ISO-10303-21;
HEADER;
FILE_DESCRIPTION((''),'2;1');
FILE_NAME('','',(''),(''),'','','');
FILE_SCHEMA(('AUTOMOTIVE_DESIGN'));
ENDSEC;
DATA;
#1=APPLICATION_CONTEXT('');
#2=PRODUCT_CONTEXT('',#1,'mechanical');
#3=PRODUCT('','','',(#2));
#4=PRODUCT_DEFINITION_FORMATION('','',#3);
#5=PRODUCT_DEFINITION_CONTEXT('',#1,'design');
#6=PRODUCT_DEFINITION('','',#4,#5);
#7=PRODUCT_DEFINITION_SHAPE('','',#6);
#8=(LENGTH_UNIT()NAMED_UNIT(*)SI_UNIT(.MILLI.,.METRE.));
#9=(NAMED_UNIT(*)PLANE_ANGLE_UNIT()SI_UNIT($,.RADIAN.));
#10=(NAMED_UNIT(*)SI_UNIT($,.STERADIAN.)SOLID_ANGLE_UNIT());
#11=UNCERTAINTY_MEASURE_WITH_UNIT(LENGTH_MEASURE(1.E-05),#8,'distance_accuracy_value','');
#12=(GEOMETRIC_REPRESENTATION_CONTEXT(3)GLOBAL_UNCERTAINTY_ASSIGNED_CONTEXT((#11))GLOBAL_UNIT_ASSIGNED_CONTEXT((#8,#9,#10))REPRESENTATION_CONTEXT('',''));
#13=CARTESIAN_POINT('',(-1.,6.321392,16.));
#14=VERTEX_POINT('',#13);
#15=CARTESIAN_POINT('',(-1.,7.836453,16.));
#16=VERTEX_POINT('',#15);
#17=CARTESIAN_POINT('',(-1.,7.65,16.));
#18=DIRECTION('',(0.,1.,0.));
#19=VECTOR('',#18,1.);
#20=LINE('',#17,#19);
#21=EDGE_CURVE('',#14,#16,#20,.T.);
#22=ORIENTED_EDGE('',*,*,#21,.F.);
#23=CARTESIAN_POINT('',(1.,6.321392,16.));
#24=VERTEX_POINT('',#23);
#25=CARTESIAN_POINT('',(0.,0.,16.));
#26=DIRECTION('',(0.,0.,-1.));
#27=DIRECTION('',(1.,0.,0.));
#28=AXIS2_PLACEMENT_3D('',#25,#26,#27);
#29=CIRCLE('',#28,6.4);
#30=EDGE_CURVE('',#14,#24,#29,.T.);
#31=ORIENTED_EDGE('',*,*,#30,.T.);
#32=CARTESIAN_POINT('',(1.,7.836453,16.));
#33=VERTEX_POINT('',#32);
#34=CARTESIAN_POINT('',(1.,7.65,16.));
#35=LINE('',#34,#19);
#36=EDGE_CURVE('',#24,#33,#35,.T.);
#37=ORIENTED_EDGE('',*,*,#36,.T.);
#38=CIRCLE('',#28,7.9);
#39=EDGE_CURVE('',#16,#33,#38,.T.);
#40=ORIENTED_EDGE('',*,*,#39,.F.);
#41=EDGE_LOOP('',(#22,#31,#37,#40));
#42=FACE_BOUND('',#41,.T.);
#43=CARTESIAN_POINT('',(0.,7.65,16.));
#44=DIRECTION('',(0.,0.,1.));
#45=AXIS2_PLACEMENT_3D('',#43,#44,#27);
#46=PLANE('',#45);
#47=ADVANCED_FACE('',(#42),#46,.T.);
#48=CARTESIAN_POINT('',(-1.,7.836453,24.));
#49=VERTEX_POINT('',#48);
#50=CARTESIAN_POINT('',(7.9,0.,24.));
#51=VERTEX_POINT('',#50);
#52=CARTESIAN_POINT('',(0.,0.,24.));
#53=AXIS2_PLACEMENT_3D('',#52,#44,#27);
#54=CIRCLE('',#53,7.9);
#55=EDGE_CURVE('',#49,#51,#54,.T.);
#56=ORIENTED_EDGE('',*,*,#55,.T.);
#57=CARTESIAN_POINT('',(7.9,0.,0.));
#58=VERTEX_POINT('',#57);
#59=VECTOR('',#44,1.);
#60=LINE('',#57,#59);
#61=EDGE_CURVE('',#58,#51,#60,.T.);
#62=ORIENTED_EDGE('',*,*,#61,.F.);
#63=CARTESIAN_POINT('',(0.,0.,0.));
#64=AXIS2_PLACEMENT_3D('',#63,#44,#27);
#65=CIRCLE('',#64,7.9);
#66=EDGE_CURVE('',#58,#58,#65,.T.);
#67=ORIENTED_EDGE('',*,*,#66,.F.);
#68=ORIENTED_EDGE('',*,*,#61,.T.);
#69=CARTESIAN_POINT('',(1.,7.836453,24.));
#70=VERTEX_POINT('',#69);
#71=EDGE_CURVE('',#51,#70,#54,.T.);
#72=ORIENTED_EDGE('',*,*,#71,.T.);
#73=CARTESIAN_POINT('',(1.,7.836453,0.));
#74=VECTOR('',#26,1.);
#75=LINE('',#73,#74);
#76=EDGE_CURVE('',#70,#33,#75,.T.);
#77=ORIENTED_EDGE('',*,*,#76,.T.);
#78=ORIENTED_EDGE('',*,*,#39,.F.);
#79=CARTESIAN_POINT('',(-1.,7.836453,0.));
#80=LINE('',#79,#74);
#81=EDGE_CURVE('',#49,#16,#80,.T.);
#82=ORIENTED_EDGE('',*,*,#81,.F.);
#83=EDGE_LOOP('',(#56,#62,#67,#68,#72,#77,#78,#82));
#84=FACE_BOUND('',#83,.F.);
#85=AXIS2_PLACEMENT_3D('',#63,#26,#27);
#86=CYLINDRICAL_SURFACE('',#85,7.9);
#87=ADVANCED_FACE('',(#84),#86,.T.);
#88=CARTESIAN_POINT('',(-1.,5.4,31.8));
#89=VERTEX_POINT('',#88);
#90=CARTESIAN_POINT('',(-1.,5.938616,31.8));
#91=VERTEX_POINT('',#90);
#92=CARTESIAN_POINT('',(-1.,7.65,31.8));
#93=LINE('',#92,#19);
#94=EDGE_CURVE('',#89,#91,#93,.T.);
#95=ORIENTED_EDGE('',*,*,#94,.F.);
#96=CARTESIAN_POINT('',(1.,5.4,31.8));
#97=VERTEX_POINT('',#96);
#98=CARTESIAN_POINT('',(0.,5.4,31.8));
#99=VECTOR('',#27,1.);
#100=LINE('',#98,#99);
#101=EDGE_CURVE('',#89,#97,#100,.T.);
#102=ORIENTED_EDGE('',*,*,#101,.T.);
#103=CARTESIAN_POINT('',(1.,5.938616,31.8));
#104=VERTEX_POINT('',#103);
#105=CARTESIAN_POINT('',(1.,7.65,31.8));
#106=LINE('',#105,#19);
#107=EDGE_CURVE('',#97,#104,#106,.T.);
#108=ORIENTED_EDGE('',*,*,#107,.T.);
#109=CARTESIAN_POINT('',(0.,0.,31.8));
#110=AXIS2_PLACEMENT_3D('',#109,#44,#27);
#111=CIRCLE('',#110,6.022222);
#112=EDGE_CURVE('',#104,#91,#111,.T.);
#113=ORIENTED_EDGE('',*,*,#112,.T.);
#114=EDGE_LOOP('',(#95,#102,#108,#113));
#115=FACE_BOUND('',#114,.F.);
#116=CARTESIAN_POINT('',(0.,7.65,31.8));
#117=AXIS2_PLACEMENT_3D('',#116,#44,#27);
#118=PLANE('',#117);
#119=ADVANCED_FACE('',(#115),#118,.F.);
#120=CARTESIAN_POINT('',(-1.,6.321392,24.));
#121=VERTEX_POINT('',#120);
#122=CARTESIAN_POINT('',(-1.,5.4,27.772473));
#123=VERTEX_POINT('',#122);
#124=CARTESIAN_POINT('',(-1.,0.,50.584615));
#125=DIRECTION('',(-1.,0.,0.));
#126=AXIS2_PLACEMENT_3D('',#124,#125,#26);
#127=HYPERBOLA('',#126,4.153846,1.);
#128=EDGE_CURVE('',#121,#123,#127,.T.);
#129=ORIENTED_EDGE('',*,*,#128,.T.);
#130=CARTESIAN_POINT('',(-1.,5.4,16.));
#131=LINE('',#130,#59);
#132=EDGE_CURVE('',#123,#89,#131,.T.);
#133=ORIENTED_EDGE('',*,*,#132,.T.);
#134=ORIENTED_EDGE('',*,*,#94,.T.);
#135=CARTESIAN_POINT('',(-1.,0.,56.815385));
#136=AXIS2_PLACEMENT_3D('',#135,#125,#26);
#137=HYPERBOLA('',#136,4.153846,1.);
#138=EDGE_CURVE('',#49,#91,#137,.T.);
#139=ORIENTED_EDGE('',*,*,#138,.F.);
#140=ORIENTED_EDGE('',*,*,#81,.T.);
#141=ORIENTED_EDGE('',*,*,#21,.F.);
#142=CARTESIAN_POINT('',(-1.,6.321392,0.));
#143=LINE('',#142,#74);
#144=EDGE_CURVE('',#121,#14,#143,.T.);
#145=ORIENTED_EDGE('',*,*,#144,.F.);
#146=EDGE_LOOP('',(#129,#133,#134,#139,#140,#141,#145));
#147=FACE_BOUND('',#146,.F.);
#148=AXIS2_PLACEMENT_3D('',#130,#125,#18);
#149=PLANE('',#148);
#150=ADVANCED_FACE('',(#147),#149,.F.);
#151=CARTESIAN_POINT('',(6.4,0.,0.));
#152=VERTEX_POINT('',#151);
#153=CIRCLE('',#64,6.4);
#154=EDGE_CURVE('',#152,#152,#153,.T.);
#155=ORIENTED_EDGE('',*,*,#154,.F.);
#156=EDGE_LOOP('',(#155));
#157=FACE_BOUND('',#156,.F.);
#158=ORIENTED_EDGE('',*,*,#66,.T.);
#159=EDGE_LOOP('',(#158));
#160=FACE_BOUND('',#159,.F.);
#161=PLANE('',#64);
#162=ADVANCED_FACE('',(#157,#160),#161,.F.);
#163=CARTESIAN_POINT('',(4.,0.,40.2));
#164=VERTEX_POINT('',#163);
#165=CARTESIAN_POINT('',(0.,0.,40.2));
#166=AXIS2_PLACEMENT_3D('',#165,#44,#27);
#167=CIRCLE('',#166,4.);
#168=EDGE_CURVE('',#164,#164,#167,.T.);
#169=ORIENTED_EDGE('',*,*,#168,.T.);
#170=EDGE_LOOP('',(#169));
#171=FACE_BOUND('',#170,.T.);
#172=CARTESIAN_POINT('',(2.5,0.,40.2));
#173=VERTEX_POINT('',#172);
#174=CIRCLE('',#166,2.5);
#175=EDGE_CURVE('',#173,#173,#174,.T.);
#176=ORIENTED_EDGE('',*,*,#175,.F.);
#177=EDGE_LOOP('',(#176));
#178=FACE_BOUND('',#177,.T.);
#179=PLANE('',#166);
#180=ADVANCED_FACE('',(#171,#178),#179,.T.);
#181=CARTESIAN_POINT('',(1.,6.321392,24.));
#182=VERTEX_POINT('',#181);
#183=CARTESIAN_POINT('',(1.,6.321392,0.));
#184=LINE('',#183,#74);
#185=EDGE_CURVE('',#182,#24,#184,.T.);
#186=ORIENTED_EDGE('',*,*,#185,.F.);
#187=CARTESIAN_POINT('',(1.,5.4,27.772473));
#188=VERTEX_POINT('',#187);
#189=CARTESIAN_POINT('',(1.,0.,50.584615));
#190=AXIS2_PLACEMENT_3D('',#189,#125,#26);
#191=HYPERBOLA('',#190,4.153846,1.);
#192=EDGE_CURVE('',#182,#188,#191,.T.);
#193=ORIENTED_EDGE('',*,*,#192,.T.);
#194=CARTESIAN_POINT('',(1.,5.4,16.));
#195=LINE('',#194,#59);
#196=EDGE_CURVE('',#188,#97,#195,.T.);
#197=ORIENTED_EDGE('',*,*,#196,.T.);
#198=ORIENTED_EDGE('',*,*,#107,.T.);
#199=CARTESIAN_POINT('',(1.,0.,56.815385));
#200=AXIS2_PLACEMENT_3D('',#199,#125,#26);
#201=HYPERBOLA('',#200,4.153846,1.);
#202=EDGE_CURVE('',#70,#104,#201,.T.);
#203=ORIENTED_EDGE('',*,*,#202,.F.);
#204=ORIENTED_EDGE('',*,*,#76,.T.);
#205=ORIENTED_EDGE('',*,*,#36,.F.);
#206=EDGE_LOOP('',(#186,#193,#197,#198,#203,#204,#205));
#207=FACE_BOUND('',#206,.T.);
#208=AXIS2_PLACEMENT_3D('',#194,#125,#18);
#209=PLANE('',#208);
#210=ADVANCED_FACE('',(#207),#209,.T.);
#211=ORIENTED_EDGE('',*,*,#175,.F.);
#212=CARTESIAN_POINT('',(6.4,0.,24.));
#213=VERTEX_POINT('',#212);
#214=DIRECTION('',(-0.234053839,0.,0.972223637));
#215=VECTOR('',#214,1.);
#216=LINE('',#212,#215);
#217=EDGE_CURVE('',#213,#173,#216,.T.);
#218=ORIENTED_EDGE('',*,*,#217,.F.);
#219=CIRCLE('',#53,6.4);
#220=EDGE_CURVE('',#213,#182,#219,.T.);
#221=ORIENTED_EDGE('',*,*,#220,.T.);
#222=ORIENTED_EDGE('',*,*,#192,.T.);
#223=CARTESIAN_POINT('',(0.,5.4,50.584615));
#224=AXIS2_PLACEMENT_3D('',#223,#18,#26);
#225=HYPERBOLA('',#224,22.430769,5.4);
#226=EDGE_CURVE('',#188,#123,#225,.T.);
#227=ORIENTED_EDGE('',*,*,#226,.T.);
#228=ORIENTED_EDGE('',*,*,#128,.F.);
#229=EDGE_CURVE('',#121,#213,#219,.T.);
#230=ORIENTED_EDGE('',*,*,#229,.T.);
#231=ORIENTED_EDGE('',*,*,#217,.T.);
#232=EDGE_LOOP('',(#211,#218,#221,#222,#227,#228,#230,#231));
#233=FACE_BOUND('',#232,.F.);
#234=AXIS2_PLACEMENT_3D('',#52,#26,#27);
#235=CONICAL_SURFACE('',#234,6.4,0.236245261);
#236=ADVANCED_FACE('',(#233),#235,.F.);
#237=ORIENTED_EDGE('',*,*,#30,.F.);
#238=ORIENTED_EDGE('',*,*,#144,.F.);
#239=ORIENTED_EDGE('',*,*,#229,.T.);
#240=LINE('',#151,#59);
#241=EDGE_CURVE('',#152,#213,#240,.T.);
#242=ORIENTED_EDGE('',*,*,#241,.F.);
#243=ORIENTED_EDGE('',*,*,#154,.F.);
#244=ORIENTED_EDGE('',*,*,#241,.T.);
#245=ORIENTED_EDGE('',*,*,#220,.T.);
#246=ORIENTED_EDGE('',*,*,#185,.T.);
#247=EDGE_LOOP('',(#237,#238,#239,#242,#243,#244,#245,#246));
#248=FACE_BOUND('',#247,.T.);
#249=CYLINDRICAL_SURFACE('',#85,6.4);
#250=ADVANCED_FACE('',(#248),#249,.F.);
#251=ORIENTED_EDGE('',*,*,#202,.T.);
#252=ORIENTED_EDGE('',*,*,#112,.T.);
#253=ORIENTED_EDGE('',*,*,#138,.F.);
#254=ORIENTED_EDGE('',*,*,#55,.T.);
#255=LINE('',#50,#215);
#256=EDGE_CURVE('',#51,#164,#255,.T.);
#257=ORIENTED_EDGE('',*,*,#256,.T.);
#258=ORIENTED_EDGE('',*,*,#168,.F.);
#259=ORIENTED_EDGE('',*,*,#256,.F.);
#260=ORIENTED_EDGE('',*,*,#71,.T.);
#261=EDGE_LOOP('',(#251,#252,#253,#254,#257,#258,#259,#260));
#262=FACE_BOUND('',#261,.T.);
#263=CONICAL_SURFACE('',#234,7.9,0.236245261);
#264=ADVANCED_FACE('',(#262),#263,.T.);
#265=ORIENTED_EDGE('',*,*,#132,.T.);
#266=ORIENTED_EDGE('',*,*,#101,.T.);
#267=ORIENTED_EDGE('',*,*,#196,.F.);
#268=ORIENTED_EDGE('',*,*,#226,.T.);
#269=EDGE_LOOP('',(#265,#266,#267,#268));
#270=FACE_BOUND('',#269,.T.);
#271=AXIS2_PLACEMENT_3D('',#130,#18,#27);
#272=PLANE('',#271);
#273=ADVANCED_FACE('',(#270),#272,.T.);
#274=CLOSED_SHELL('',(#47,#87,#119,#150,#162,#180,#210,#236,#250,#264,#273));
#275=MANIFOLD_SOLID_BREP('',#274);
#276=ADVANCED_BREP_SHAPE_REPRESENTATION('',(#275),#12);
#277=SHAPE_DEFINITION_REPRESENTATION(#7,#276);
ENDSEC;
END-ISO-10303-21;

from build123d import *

# Parameters (mm, degrees)
BOX002_W          = 2
BOX002_H          = 4.5
BOX002_DEPTH      = 15.8
CYLINDER001_R     = 6.4
CYLINDER001_DEPTH = 24
CYLINDER_R        = 7.9
CYLINDER_DEPTH    = 24


with BuildPart() as schlitz:
    # Box002 → Box002 (new body)
    with BuildSketch(Plane(origin=(-1, 5.4, 16), x_dir=(1, 0, 0), z_dir=(0, 0, 1))):
        with Locations((1, 2.25)):
            Rectangle(BOX002_W, BOX002_H)
    extrude(amount=BOX002_DEPTH)


with BuildPart() as kegel001:
    # Cone001 → Cone001 (revolve)
    with BuildSketch(Plane(origin=(0, 0, 24), x_dir=(1, 0, 0), z_dir=(0, -1, 0))):
        Polygon((0, 0), (6.4, 0), (2.5, 16.2), (0, 16.2), align=None)
    revolve(axis=Axis((0, 0, 24), (0, 0, 1)))


with BuildPart() as cut001:
    # Cone → Cone (revolve)
    with BuildSketch(Plane(origin=(0, 0, 24), x_dir=(1, 0, 0), z_dir=(0, -1, 0))):
        Polygon((0, 0), (7.9, 0), (4, 16.2), (0, 16.2), align=None)
    revolve(axis=Axis((0, 0, 24), (0, 0, 1)))

    # Cut001: cut Kegel001
    add(kegel001.part, mode=Mode.SUBTRACT)


with BuildPart() as loch_vorne:
    # Cylinder001 → Cylinder001 (new body)
    with BuildSketch(Plane.XY):
        Circle(CYLINDER001_R)
    extrude(amount=CYLINDER001_DEPTH)


with BuildPart() as geh_use_mit_schlitz:
    # Cylinder → Cylinder (new body)
    with BuildSketch(Plane.XY):
        Circle(CYLINDER_R)
    extrude(amount=CYLINDER_DEPTH)

    # Cut: cut Loch_vorne
    add(loch_vorne.part, mode=Mode.SUBTRACT)

    # Fusion001: union Cut001
    add(cut001.part)

    # Cut002: cut Schlitz
    add(schlitz.part, mode=Mode.SUBTRACT)


solid = geh_use_mit_schlitz.part
